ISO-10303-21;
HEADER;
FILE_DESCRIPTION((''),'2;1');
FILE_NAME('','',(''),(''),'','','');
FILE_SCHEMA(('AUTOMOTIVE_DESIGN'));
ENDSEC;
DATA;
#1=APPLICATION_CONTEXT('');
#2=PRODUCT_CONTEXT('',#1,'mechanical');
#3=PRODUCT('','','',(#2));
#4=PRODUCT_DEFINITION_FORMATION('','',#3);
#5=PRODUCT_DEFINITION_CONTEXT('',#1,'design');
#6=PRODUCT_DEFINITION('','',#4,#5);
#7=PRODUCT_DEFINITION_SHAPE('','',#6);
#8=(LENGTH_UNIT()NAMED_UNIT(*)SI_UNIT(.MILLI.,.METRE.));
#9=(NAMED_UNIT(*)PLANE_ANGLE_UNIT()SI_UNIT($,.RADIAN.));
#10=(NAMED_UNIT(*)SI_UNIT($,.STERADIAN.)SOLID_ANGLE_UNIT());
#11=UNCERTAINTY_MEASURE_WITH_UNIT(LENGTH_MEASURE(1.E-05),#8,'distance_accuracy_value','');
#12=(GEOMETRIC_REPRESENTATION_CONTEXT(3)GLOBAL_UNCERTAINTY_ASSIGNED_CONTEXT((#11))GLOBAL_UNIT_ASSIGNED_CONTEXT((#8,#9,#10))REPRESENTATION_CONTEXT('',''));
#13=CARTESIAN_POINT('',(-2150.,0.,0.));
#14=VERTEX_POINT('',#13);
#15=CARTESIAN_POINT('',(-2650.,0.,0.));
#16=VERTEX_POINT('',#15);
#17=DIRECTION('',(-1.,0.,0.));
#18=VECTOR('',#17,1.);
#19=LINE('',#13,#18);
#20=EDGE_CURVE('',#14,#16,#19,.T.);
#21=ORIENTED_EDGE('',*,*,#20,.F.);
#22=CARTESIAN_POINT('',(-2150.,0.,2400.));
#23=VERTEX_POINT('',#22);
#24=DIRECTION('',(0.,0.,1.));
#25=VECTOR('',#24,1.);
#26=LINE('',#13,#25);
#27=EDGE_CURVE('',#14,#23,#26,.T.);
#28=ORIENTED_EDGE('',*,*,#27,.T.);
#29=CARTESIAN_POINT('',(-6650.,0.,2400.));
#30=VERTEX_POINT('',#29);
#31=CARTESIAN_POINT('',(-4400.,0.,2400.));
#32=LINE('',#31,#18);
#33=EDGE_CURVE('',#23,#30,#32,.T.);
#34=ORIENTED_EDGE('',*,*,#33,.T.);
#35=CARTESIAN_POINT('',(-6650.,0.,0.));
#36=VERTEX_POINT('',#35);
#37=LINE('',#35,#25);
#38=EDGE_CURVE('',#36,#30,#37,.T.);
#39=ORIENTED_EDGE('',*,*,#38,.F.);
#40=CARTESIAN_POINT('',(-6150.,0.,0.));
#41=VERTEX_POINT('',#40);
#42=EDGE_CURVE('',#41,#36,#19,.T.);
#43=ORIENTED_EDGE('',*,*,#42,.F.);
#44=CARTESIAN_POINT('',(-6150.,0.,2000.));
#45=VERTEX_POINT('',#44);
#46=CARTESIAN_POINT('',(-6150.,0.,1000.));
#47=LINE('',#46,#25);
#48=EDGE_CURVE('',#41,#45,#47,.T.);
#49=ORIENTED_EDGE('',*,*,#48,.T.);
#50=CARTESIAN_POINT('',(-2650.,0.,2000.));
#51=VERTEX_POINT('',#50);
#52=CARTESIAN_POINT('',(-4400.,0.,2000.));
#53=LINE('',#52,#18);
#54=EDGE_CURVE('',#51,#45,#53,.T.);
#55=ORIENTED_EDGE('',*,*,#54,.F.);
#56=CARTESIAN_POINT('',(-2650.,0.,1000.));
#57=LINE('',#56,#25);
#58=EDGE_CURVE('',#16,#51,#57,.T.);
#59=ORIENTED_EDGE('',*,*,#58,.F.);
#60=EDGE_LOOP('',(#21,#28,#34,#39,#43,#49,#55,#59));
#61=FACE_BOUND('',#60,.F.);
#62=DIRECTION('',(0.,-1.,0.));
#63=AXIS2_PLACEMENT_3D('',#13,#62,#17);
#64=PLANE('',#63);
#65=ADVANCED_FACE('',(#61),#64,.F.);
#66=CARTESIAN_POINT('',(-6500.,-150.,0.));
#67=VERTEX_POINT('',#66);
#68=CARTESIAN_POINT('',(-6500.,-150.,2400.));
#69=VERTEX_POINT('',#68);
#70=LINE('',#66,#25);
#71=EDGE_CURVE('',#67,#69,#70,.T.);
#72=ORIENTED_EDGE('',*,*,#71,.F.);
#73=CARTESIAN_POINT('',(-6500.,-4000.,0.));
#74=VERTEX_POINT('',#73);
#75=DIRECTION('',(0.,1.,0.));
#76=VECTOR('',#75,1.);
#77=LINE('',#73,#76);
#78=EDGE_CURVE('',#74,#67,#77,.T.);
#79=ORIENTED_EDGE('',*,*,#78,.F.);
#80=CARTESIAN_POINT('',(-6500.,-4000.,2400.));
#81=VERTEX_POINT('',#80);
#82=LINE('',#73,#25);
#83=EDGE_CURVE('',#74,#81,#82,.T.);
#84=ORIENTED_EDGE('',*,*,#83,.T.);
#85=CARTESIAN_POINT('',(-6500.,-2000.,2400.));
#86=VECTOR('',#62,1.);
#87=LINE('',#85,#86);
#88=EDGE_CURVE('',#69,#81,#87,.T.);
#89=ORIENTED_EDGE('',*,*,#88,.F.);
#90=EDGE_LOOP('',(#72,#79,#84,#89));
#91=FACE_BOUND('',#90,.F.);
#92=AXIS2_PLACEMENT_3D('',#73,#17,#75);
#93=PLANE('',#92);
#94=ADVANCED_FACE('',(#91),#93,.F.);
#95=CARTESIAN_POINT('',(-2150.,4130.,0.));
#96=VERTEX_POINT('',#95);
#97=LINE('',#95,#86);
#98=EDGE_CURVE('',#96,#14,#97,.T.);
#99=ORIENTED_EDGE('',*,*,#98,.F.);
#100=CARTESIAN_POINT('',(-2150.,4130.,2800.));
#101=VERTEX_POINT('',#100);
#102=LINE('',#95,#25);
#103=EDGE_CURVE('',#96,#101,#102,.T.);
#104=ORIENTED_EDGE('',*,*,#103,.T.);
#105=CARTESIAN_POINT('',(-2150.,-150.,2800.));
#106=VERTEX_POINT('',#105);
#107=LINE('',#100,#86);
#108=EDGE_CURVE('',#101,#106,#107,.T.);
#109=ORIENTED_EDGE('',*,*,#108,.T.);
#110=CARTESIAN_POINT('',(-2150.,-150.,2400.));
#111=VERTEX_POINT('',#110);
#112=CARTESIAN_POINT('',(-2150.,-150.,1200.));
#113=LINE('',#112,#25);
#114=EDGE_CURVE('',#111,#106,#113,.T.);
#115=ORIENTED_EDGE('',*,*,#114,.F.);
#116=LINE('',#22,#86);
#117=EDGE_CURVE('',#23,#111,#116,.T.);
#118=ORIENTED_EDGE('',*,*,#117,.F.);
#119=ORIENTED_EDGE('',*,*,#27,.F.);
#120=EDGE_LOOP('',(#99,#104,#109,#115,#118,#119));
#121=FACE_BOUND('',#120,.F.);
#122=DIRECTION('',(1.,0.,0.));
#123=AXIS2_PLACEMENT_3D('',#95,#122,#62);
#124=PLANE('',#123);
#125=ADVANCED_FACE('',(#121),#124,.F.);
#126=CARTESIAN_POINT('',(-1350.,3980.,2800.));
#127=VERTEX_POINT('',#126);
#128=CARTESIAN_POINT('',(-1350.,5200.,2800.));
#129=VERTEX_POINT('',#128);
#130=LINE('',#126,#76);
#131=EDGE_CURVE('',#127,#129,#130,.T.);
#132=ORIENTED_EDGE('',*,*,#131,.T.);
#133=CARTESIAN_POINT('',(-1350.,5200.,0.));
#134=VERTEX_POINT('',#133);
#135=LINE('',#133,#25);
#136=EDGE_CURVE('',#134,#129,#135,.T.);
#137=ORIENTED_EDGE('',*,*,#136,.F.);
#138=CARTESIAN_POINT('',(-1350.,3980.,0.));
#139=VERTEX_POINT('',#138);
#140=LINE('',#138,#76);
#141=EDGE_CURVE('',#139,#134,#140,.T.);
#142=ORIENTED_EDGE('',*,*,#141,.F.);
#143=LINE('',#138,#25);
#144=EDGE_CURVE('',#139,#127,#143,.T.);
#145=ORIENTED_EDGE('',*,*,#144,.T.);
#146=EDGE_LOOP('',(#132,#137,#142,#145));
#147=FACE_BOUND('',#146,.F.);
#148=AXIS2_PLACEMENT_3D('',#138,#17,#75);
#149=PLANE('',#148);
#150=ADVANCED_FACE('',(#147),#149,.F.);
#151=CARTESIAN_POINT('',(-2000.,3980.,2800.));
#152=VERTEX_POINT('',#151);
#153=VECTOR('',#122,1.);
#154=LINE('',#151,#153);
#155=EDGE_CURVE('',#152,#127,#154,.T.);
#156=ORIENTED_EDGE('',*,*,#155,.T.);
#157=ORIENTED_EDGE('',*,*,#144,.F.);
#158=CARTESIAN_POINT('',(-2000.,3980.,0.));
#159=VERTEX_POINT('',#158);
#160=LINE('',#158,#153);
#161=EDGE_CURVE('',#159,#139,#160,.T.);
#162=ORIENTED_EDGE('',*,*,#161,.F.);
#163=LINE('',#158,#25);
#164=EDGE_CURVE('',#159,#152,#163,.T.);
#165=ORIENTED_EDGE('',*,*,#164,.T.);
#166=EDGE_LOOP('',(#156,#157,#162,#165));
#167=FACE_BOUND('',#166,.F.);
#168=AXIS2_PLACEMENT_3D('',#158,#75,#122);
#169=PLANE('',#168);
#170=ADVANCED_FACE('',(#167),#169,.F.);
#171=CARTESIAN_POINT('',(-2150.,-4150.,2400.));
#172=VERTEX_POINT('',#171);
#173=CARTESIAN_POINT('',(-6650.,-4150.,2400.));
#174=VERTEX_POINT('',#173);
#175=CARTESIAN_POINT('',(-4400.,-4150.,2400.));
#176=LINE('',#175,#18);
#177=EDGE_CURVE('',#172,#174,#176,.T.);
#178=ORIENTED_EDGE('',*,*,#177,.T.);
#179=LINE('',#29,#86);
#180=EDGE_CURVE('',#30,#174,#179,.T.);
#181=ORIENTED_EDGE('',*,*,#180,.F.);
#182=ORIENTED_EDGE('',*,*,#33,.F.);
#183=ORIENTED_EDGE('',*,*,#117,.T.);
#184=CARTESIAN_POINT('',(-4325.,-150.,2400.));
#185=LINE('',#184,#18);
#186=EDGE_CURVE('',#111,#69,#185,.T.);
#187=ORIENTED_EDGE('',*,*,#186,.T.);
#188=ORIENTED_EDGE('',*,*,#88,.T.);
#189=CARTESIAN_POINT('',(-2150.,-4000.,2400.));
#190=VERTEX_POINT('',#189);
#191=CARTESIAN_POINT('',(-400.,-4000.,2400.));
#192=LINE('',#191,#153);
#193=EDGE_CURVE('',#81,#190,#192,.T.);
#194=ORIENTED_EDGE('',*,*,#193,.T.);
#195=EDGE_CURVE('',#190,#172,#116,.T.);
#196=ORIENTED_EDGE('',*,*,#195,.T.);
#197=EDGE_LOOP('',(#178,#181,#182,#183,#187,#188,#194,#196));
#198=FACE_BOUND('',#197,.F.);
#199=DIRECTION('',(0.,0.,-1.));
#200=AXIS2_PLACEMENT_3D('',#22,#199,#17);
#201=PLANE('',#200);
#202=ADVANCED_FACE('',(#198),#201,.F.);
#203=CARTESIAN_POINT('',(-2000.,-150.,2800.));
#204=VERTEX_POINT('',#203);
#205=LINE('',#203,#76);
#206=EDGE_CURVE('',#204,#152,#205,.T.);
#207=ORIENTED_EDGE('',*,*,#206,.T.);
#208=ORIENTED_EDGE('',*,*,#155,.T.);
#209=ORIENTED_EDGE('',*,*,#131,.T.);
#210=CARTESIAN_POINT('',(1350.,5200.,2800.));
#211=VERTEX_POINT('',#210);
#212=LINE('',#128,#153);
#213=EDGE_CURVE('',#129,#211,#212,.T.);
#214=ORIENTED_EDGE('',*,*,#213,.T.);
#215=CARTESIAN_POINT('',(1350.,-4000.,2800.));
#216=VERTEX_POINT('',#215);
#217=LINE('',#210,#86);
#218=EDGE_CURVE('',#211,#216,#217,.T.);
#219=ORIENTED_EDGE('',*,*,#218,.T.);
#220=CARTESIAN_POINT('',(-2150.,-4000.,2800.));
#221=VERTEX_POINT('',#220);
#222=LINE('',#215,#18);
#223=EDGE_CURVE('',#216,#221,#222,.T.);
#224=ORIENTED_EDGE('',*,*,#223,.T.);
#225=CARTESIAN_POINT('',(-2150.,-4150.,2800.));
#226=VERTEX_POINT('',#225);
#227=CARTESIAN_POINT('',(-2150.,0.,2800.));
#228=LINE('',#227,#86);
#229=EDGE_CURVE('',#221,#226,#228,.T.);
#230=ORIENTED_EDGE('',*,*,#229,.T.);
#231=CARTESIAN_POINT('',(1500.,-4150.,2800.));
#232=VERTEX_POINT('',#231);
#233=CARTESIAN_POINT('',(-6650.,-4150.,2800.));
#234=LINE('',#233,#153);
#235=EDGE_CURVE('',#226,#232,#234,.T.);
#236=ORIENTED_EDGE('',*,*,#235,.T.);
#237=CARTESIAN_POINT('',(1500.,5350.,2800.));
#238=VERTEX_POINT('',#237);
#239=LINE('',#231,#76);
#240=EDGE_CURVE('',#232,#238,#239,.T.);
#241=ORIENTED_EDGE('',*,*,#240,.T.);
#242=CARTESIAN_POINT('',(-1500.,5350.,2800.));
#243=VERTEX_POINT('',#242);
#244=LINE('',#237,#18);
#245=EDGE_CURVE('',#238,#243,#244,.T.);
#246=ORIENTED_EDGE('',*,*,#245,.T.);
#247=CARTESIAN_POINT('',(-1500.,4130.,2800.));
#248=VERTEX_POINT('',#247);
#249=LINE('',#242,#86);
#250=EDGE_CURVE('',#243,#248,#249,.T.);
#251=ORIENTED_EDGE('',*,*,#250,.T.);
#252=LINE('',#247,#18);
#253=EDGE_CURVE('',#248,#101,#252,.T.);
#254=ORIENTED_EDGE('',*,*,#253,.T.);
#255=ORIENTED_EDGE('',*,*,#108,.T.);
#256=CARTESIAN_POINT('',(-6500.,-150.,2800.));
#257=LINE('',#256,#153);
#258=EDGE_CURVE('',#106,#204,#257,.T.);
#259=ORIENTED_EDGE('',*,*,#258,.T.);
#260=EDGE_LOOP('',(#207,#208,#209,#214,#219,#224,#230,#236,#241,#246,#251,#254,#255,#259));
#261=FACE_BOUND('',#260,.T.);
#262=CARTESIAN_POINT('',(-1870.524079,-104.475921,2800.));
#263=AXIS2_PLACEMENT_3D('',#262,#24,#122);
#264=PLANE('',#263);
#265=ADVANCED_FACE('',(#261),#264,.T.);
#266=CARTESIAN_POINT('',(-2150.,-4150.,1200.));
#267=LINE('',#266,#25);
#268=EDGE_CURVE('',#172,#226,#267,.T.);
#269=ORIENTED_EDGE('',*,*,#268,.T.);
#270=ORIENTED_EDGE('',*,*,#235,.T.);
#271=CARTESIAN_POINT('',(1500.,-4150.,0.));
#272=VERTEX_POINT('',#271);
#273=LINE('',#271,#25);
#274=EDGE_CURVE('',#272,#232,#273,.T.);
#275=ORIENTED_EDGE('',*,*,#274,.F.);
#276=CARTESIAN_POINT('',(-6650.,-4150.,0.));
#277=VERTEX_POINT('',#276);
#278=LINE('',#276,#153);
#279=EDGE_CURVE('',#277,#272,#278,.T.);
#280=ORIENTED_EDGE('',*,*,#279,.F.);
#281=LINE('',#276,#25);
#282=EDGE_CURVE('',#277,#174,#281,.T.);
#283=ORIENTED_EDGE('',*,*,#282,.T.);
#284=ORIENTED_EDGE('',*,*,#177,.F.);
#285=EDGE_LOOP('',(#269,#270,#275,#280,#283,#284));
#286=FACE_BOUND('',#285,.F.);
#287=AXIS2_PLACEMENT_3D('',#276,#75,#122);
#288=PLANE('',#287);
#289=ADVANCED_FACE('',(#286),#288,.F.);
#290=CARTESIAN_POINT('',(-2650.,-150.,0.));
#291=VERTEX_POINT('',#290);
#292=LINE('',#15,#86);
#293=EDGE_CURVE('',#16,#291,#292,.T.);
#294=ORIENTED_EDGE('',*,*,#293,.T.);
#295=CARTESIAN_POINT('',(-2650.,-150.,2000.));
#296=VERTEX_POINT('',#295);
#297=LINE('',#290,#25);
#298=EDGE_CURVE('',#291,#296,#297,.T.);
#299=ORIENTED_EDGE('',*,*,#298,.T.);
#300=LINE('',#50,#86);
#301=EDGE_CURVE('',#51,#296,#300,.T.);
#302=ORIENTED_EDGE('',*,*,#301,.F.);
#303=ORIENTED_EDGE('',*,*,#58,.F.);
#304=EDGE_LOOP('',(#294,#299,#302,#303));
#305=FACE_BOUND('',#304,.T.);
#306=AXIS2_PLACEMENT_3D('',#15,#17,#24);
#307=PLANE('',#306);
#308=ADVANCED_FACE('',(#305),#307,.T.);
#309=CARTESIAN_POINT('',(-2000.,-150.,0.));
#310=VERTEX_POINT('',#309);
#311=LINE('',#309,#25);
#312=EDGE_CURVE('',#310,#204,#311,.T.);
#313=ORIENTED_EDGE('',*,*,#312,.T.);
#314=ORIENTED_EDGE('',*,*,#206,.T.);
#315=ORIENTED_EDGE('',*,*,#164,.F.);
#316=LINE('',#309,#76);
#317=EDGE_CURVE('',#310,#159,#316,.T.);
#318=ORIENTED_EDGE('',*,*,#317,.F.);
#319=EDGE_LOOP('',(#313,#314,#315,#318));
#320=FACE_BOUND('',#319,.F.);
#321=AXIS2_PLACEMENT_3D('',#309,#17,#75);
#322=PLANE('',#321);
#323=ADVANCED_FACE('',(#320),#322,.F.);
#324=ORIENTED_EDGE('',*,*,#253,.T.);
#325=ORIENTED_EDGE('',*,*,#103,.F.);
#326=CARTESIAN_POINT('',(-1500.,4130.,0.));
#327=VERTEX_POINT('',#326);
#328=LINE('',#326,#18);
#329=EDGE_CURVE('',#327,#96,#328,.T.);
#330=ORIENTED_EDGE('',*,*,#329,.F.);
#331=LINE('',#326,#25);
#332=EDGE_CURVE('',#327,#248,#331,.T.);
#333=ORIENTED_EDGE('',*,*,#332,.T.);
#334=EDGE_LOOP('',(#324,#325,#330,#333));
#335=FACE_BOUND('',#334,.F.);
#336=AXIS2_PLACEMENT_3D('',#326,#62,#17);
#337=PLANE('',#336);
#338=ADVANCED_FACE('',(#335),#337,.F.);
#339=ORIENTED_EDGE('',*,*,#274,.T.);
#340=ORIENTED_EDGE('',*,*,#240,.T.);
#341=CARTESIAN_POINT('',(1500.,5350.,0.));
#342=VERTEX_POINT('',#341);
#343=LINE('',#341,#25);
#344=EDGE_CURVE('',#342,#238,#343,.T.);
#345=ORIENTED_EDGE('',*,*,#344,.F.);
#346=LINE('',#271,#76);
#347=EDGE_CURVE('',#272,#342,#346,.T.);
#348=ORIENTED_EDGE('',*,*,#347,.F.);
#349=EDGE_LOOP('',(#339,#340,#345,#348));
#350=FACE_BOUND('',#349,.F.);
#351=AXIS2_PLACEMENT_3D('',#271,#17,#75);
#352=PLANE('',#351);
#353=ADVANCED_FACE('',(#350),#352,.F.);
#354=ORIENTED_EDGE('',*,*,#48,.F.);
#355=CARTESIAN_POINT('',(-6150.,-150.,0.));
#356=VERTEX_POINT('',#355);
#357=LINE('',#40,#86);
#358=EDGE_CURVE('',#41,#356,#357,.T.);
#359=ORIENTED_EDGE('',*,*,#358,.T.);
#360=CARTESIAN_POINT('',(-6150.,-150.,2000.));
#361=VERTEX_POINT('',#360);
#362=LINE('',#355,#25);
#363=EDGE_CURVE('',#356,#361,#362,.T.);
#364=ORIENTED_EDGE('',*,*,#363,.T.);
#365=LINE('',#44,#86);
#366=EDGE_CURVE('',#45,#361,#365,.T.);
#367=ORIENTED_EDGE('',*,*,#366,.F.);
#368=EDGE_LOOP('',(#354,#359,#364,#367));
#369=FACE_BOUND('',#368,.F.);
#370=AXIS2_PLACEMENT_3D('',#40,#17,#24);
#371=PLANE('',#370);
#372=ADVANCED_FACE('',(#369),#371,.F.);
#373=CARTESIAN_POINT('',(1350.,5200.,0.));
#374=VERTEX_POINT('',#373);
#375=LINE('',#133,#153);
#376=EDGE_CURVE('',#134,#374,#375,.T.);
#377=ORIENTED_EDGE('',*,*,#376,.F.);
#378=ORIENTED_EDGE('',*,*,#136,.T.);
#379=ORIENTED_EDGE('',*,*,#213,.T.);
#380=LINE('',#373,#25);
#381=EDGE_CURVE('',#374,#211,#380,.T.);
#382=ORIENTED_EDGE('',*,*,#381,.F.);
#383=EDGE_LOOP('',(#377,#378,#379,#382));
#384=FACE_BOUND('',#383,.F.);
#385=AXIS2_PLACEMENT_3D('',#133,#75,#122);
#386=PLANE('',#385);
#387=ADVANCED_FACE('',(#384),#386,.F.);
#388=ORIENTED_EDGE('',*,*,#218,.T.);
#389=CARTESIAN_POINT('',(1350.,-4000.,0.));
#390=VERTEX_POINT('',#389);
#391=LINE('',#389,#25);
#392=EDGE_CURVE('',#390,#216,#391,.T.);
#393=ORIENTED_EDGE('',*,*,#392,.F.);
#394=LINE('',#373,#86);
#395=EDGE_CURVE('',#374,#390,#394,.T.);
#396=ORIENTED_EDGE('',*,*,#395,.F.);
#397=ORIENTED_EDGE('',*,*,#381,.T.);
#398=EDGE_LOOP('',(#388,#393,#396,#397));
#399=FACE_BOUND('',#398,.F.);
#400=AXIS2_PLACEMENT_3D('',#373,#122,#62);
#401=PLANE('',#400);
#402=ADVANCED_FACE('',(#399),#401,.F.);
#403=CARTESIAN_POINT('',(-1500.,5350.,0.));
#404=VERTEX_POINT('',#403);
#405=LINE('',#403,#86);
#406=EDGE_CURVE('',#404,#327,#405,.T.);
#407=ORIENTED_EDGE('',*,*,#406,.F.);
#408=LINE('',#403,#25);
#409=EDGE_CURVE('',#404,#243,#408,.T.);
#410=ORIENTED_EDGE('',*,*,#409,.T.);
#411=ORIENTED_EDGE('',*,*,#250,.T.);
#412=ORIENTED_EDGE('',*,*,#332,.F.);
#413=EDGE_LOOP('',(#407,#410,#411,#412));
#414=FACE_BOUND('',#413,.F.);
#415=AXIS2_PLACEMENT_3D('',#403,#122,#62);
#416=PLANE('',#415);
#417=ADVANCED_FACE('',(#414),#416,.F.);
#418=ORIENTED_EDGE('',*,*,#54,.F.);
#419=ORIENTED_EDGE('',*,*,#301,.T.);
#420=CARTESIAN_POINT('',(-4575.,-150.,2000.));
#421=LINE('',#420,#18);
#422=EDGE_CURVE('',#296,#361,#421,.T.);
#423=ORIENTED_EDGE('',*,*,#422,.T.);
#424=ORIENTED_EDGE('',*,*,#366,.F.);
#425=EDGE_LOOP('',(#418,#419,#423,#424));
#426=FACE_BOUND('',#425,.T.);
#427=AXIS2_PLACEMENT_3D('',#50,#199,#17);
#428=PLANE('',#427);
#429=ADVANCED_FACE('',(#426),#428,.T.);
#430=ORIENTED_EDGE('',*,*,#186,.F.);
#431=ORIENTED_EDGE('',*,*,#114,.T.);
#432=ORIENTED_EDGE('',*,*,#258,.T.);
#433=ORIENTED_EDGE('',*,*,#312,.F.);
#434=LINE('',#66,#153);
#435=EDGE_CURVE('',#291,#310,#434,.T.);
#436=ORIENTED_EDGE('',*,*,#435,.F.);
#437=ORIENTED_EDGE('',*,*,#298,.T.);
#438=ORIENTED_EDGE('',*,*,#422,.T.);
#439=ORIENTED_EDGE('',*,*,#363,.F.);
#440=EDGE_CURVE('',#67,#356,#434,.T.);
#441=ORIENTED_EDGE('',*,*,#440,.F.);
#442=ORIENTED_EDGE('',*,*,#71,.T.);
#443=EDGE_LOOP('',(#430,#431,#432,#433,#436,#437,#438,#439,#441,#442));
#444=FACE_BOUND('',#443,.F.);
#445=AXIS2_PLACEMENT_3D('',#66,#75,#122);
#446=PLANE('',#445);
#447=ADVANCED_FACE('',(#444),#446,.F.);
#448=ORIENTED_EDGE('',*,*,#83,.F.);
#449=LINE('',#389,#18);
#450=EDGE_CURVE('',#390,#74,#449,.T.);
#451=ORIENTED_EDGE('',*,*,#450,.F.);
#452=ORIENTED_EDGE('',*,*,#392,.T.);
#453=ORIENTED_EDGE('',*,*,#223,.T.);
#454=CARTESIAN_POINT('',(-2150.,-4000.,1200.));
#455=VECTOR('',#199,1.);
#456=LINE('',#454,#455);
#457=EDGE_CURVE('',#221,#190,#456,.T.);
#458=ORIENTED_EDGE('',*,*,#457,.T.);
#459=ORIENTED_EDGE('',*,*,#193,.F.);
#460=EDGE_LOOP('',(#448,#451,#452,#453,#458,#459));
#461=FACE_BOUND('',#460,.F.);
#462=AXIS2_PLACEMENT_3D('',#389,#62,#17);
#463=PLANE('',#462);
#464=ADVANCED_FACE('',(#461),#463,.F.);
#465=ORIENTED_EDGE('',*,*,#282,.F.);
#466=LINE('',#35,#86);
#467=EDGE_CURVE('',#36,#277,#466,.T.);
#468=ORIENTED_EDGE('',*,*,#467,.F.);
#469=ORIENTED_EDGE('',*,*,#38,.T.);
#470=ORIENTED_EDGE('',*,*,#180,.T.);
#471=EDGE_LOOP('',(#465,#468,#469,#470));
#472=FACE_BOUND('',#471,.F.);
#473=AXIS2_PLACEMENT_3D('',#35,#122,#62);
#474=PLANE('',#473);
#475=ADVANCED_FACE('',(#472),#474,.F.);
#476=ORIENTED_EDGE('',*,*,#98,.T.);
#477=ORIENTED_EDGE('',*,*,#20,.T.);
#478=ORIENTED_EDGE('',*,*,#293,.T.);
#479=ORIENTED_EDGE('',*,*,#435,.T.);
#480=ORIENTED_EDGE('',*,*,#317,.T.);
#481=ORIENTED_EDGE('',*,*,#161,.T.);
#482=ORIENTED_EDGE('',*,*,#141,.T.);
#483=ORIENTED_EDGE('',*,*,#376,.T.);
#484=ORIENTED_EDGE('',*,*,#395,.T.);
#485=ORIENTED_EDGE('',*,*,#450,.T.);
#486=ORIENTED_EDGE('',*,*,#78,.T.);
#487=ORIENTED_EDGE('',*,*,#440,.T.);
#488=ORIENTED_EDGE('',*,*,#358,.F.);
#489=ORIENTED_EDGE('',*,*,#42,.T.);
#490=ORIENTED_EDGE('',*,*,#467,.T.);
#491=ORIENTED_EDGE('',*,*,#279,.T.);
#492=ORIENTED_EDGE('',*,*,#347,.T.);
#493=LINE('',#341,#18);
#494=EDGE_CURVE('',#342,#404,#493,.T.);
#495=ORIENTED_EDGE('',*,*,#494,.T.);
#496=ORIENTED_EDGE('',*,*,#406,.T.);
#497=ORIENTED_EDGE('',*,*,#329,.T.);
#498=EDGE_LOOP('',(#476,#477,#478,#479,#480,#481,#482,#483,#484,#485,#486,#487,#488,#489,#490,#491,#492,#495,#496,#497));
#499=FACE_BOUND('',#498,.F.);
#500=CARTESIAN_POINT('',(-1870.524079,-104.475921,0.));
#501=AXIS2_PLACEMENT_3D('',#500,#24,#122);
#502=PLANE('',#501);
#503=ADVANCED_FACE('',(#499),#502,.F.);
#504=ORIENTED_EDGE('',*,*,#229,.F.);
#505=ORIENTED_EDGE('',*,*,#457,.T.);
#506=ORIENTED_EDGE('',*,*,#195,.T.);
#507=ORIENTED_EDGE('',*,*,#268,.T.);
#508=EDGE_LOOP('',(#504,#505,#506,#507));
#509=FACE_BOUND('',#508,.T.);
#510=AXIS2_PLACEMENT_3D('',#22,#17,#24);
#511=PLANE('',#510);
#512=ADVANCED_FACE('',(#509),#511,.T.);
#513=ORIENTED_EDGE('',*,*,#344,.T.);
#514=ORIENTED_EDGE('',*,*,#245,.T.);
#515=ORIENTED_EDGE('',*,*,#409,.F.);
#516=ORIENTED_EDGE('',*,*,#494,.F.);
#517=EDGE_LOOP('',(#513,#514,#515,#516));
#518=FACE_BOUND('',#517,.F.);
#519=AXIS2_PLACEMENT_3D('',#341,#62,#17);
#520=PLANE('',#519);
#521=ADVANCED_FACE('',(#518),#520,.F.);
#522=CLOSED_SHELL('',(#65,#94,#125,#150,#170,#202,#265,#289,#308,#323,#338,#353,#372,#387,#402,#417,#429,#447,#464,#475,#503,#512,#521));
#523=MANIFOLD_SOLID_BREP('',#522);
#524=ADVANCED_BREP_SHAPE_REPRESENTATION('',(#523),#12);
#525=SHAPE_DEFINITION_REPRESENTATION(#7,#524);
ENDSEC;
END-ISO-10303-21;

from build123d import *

# Parameters (mm, degrees)
F1_DEPTH = 2800
F2_W     = 4500
F2_H     = 400
F3_DEPTH = 4170
F4_W     = 3500
F4_H     = 2000
F5_DEPTH = 160


with BuildPart() as f1:
    # F0 (on Top) → F1 (new body)
    with BuildSketch(Plane.XY):
        Polygon((1500, 5350), (-1500, 5350), (-1500, 4130), (-2150, 4130), (-2150, 0), (-6650, 0), (-6650, -4150), (1500, -4150), align=None)
        Polygon((-1350, 3980), (-1350, 5200), (1350, 5200), (1350, -4000), (-6500, -4000), (-6500, -150), (-2000, -150), (-2000, 3980), align=None, mode=Mode.SUBTRACT)
    extrude(amount=F1_DEPTH)

    # F2 (on face) → F3 (cut)
    with BuildSketch(Plane(origin=(0, 0, 0), x_dir=(-1, 0, 0), z_dir=(0, 1, 0))):
        with Locations((4400, 2600)):
            Rectangle(F2_W, F2_H)
    extrude(amount=-F3_DEPTH, mode=Mode.SUBTRACT)

    # F4 (on face) → F5 (cut)
    with BuildSketch(Plane(origin=(0, 0, 0), x_dir=(-1, 0, 0), z_dir=(0, 1, 0))):
        with Locations((4400, 1000)):
            Rectangle(F4_W, F4_H)
    extrude(amount=-F5_DEPTH, mode=Mode.SUBTRACT)


solid = f1.part
